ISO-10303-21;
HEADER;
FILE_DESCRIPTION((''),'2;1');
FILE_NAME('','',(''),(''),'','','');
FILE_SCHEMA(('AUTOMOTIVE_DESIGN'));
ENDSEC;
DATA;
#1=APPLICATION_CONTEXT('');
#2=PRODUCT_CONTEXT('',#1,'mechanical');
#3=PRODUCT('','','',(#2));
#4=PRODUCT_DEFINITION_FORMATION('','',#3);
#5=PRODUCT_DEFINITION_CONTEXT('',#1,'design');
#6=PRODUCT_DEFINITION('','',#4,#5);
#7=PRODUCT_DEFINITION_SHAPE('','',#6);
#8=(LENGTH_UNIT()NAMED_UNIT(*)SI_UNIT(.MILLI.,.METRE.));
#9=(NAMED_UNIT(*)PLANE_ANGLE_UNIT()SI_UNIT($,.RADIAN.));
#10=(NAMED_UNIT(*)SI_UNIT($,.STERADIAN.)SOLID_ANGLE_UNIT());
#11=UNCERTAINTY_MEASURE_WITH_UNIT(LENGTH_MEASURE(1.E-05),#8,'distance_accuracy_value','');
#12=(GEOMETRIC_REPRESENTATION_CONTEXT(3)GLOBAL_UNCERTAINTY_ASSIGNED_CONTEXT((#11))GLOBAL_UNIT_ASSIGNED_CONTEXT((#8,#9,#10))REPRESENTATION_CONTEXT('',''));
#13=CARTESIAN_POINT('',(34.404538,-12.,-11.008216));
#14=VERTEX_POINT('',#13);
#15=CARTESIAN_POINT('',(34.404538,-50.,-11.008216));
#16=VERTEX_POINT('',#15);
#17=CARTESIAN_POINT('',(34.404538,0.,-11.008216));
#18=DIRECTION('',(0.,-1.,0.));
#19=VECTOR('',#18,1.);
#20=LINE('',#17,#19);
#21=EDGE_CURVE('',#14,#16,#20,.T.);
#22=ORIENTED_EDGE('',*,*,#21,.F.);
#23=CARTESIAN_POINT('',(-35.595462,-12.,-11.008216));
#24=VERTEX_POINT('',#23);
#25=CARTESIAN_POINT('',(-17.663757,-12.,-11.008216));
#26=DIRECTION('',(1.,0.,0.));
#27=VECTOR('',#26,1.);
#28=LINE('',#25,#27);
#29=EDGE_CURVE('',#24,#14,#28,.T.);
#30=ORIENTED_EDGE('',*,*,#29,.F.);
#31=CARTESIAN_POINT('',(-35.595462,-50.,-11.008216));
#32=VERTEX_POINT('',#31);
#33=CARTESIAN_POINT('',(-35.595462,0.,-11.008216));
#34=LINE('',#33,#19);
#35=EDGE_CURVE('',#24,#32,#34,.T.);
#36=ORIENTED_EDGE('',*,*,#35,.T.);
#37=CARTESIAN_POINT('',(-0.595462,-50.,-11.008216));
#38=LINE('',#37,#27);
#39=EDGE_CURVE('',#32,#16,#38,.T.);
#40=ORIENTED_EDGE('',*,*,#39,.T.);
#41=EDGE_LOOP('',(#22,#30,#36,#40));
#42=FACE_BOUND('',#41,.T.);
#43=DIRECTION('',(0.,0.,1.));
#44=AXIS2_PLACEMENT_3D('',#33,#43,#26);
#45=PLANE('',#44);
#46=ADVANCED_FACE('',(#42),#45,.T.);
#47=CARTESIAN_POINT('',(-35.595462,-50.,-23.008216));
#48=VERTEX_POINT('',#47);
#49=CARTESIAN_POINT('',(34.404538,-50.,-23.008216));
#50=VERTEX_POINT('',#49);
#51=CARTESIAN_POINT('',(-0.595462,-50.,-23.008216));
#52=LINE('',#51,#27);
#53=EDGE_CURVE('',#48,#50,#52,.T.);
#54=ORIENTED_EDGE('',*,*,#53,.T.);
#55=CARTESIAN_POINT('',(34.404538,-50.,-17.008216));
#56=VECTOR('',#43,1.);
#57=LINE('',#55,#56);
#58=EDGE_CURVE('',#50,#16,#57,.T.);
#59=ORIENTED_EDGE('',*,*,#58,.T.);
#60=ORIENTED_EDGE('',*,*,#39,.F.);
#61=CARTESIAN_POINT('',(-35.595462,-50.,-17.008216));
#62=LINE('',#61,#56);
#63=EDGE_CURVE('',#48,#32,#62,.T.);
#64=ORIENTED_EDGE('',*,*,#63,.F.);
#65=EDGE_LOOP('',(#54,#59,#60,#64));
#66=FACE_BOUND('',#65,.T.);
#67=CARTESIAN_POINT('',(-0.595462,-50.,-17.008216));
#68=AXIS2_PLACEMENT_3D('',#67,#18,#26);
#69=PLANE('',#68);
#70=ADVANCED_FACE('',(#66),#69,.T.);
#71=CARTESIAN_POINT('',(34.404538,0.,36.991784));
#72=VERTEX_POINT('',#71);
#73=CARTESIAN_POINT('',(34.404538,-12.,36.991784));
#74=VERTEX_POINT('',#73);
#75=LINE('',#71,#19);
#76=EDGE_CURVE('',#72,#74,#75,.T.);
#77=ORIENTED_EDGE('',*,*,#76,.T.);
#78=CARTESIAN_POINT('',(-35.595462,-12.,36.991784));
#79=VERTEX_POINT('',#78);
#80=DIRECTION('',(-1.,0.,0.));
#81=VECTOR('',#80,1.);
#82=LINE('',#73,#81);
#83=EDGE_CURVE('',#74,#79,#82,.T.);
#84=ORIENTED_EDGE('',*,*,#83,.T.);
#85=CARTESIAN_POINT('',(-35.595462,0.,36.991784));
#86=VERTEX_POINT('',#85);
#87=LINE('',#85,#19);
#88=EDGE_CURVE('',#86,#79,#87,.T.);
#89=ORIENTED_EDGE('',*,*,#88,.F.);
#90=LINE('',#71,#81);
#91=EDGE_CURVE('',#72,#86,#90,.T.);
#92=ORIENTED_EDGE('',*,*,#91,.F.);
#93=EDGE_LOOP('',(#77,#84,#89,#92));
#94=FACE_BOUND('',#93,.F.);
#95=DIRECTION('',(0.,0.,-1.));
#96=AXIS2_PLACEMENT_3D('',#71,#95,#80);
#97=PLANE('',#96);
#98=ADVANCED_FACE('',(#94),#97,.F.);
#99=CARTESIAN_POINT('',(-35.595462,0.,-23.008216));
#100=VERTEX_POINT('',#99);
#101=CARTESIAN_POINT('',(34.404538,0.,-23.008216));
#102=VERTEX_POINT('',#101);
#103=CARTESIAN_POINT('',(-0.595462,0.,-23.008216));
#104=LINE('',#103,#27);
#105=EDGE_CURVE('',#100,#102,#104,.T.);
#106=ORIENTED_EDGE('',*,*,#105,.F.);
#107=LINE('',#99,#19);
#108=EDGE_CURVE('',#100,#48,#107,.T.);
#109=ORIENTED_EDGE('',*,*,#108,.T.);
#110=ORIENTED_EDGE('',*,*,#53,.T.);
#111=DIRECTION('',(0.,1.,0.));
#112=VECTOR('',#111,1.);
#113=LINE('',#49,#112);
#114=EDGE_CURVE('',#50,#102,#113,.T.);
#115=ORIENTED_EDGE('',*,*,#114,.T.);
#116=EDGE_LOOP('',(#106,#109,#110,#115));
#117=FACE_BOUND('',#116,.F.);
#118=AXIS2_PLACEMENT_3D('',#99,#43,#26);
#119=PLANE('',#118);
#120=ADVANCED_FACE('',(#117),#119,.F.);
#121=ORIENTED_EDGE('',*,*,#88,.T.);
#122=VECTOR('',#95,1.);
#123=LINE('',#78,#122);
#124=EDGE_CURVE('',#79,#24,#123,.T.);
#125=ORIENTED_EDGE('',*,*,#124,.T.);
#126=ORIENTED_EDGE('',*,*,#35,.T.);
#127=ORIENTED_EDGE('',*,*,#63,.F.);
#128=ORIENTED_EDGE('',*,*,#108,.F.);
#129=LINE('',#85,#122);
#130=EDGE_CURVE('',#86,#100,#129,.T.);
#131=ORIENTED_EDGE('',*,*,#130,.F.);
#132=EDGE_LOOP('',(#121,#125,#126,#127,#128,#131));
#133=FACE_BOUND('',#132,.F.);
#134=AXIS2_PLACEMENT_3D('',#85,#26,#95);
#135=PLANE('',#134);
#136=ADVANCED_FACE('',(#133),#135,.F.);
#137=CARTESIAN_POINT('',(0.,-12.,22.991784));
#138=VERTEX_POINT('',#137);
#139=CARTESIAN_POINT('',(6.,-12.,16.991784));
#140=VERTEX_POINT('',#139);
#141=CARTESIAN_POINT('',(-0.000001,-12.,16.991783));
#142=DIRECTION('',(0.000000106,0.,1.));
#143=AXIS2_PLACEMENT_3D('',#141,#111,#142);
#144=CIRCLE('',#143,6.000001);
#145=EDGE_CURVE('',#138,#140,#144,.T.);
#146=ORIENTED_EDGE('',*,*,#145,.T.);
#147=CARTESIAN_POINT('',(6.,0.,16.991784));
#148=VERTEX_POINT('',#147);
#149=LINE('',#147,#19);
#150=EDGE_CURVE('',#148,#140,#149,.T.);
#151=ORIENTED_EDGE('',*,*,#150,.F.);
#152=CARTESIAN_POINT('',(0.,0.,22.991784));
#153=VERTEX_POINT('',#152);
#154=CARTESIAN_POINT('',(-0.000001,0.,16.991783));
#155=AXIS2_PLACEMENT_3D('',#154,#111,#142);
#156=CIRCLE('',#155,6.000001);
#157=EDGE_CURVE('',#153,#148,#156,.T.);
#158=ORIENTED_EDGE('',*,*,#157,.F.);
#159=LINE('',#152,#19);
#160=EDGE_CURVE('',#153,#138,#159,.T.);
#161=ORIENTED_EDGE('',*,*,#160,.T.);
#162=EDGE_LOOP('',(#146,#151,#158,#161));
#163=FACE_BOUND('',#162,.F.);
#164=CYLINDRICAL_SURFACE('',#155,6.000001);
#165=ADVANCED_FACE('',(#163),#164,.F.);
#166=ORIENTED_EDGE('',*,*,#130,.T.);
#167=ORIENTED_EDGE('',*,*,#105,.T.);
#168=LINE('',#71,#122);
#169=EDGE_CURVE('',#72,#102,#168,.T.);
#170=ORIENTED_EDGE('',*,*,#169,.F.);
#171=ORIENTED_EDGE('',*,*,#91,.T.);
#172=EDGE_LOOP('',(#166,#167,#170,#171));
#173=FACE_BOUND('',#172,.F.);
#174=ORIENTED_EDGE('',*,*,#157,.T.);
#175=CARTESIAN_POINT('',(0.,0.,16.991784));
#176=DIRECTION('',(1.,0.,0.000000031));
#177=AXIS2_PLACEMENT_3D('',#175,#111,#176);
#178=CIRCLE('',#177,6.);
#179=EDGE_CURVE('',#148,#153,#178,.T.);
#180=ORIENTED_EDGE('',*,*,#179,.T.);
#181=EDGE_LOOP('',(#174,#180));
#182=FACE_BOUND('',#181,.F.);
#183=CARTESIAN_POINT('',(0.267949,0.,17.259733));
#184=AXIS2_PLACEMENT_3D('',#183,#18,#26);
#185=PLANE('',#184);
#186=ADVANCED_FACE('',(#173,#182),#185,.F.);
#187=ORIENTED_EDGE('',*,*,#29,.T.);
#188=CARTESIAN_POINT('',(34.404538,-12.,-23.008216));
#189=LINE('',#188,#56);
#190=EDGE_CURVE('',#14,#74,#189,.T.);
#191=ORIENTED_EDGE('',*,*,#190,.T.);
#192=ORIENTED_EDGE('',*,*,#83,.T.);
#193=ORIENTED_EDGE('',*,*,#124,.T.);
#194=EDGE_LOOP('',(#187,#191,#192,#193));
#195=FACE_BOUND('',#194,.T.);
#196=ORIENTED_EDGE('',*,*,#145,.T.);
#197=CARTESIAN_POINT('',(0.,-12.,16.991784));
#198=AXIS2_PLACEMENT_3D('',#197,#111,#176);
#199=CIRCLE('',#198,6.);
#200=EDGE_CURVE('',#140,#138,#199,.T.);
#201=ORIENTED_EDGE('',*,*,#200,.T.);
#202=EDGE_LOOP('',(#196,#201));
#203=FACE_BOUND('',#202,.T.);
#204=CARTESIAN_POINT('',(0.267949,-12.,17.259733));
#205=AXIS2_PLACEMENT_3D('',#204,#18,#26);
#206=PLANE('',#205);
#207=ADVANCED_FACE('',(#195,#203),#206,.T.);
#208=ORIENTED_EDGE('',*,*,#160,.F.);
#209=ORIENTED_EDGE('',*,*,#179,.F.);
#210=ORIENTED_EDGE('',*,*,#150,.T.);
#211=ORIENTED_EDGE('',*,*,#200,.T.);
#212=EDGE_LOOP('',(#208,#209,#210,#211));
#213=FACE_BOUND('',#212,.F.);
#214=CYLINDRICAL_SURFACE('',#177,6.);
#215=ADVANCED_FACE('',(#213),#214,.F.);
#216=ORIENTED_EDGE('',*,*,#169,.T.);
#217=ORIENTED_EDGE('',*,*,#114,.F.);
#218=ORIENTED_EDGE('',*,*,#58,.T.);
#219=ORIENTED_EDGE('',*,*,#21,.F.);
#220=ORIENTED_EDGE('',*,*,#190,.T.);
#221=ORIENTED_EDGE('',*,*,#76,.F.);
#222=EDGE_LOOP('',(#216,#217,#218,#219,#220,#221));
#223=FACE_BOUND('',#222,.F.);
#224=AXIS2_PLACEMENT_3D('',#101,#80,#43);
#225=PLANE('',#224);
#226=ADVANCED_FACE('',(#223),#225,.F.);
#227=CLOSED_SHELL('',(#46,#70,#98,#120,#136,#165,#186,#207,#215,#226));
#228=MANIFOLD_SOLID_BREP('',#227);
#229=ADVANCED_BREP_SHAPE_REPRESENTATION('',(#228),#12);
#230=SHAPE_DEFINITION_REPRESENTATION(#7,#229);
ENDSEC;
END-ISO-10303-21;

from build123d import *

# Parameters (mm, degrees)
F0_W     = 70
F0_H     = 12
F1_DEPTH = 50
F2_DEPTH = 12


with BuildPart() as f1:
    # F0 (on Front) → F1 (new body)
    with BuildSketch(Plane.XZ):
        with Locations((-0.595462, -17.008216)):
            Rectangle(F0_W, F0_H)
    extrude(amount=F1_DEPTH)

    # F0 (on Front) → F2 (join)
    with BuildSketch(Plane.XZ):
        with BuildLine():
            ThreePointArc((6, 16.991784), (4.242641, 21.234424), (0, 22.991784))
            ThreePointArc((0, 22.991784), (-4.242641, 12.749143), (6, 16.991784))
        make_face()
        Polygon((0, 36.991784), (-35.595462, 36.991784), (-35.595462, -11.008216), (34.404538, -11.008216), (34.404538, 36.991784), align=None)
        with BuildLine():
            ThreePointArc((6, 16.991784), (-4.242641, 12.749143), (0, 22.991784))
            ThreePointArc((0, 22.991784), (4.242641, 21.234424), (6, 16.991784))
        make_face(mode=Mode.SUBTRACT)
        with Locations((-0.595462, -17.008216)):
            Rectangle(F0_W, F0_H)
    extrude(amount=F2_DEPTH)


solid = f1.part
